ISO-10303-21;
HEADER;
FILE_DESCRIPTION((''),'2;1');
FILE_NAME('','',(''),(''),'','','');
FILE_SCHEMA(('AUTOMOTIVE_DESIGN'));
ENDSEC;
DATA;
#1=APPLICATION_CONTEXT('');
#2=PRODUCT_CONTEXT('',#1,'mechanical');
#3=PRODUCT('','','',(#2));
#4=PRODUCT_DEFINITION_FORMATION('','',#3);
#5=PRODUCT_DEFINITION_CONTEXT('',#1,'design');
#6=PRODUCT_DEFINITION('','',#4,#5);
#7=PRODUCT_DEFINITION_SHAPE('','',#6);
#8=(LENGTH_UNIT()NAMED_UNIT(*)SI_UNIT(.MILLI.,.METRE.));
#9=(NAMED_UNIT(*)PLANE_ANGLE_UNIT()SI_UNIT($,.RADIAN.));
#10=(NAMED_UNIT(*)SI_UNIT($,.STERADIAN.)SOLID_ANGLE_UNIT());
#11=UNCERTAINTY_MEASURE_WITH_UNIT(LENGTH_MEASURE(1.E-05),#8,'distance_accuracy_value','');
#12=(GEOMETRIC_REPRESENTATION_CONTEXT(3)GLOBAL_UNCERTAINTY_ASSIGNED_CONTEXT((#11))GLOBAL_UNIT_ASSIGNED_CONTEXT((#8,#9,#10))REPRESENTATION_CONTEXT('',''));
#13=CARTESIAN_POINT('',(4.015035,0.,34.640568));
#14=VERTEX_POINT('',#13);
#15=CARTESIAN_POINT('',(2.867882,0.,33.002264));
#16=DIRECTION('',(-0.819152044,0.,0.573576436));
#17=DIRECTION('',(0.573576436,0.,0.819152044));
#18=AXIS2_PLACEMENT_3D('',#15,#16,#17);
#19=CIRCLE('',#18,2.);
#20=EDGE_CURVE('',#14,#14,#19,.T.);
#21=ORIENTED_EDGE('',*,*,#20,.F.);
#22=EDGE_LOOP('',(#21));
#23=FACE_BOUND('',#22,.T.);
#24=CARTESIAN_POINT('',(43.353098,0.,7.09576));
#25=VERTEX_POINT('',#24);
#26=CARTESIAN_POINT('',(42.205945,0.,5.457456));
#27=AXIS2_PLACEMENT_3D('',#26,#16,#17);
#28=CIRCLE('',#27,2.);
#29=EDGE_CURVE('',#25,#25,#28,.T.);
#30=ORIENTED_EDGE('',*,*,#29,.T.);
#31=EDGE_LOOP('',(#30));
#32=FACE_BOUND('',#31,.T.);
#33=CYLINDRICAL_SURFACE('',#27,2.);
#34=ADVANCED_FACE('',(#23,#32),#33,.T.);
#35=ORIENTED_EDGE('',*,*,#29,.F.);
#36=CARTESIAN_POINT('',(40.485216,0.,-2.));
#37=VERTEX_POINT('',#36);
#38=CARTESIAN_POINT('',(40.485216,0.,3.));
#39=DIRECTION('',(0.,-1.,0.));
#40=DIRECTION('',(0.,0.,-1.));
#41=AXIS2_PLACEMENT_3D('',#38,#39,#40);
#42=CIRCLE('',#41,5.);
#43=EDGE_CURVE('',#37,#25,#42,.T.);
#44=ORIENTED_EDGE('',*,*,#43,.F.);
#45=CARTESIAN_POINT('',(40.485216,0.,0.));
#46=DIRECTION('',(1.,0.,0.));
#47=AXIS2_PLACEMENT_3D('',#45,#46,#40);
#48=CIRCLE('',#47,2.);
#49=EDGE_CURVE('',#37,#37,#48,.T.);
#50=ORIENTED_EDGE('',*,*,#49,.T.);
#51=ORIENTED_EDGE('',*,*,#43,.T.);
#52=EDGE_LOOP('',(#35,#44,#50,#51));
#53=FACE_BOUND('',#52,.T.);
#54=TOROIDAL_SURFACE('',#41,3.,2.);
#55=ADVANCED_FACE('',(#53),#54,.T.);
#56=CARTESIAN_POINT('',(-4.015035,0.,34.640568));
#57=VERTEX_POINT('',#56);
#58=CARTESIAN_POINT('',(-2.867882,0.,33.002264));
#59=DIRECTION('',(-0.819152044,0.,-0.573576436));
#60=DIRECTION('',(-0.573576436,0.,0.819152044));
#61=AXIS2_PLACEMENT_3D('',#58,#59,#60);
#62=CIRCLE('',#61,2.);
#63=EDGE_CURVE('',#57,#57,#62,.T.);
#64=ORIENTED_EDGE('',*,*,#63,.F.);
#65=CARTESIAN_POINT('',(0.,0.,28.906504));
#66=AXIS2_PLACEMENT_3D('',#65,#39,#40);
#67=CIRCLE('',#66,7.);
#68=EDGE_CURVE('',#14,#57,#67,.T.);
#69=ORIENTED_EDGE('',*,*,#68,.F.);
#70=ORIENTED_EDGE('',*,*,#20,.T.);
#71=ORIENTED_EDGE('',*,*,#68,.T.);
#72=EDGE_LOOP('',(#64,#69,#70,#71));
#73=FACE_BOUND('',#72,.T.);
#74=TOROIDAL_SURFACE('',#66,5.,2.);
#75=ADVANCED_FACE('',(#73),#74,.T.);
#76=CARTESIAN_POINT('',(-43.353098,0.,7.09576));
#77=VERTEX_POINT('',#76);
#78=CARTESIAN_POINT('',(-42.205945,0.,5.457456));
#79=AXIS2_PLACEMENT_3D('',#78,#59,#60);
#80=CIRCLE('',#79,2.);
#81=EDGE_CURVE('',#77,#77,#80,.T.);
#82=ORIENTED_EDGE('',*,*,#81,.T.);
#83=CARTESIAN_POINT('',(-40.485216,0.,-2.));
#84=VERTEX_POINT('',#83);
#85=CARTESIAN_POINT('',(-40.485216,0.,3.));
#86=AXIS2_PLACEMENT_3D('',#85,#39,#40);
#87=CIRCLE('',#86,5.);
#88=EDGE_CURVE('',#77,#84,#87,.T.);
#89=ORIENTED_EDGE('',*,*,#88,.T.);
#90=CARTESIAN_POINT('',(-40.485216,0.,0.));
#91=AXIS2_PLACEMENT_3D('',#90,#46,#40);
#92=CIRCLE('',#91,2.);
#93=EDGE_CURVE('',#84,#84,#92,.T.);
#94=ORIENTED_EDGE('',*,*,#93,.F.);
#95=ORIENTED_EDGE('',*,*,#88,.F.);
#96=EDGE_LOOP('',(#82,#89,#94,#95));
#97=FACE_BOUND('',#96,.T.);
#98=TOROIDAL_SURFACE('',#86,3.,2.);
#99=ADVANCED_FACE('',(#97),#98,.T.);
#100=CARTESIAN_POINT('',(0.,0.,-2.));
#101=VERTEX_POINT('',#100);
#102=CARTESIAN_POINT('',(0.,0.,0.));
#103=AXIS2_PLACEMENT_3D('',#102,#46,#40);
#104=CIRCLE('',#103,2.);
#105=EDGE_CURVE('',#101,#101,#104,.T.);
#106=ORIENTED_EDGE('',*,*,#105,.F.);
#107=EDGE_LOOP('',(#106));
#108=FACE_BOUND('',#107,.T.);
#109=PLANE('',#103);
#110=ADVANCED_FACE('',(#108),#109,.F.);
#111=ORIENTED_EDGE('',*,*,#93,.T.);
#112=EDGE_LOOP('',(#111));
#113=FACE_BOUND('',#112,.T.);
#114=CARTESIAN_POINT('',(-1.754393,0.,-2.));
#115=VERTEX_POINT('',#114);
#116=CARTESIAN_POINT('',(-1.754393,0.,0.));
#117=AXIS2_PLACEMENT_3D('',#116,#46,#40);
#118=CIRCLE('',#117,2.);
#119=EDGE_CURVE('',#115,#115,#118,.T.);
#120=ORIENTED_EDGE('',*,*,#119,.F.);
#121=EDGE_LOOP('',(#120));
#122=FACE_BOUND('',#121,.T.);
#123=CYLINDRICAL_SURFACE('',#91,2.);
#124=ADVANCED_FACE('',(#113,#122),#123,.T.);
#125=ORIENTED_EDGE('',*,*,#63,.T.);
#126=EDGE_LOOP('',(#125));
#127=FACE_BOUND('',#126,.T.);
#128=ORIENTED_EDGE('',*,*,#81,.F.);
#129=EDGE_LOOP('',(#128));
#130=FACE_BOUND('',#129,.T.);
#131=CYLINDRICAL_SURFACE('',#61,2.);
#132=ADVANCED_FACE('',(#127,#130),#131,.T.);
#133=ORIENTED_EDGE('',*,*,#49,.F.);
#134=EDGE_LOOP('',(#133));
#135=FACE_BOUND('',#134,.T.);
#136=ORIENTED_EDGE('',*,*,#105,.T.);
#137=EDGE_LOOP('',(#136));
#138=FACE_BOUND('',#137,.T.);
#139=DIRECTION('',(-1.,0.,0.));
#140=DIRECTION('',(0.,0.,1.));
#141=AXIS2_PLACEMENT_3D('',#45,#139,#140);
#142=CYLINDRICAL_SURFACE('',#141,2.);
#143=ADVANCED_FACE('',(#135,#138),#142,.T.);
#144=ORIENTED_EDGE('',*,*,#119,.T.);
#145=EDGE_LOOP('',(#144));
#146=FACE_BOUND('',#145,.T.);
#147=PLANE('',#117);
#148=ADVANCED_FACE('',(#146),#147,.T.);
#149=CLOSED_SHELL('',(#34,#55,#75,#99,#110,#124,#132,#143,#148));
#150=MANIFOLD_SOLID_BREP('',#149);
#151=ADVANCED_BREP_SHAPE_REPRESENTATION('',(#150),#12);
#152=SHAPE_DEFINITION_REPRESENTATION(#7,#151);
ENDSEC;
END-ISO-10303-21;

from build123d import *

# Parameters (mm, degrees)
SKETCH_2_R = 2


with BuildPart() as part:
    # 扫描2: sweep along a path in 草图1
    with BuildLine(Plane(origin=(0, 0, 0), x_dir=(1, 0, 0), z_dir=(0, 1, 0))) as sweep_2_path:
        Line((0, 0), (40.485215593, 0))
        ThreePointArc((40.485215593, 0), (43.346366445, -2.097882601), (42.205944902, -5.457456133))
        Line((42.205944902, -5.457456133), (2.867882182, -33.002264188))
        ThreePointArc((2.867882182, -33.002264188), (0, -33.906503967), (-2.867882182, -33.002264188))
        Line((-2.867882182, -33.002264188), (-42.205944902, -5.457456133))
        ThreePointArc((-42.205944902, -5.457456133), (-43.346366445, -2.097882601), (-40.485215593, 0))
        Line((-40.485215593, 0), (-1.754392689, 0))
    # 草图2 → 扫描2 (sweep)
    with BuildSketch(Plane(origin=(0, 0, 0), x_dir=(0, 0, -1), z_dir=(1, 0, 0))):
        Circle(SKETCH_2_R)
    sweep(path=sweep_2_path.line)


solid = part.part
